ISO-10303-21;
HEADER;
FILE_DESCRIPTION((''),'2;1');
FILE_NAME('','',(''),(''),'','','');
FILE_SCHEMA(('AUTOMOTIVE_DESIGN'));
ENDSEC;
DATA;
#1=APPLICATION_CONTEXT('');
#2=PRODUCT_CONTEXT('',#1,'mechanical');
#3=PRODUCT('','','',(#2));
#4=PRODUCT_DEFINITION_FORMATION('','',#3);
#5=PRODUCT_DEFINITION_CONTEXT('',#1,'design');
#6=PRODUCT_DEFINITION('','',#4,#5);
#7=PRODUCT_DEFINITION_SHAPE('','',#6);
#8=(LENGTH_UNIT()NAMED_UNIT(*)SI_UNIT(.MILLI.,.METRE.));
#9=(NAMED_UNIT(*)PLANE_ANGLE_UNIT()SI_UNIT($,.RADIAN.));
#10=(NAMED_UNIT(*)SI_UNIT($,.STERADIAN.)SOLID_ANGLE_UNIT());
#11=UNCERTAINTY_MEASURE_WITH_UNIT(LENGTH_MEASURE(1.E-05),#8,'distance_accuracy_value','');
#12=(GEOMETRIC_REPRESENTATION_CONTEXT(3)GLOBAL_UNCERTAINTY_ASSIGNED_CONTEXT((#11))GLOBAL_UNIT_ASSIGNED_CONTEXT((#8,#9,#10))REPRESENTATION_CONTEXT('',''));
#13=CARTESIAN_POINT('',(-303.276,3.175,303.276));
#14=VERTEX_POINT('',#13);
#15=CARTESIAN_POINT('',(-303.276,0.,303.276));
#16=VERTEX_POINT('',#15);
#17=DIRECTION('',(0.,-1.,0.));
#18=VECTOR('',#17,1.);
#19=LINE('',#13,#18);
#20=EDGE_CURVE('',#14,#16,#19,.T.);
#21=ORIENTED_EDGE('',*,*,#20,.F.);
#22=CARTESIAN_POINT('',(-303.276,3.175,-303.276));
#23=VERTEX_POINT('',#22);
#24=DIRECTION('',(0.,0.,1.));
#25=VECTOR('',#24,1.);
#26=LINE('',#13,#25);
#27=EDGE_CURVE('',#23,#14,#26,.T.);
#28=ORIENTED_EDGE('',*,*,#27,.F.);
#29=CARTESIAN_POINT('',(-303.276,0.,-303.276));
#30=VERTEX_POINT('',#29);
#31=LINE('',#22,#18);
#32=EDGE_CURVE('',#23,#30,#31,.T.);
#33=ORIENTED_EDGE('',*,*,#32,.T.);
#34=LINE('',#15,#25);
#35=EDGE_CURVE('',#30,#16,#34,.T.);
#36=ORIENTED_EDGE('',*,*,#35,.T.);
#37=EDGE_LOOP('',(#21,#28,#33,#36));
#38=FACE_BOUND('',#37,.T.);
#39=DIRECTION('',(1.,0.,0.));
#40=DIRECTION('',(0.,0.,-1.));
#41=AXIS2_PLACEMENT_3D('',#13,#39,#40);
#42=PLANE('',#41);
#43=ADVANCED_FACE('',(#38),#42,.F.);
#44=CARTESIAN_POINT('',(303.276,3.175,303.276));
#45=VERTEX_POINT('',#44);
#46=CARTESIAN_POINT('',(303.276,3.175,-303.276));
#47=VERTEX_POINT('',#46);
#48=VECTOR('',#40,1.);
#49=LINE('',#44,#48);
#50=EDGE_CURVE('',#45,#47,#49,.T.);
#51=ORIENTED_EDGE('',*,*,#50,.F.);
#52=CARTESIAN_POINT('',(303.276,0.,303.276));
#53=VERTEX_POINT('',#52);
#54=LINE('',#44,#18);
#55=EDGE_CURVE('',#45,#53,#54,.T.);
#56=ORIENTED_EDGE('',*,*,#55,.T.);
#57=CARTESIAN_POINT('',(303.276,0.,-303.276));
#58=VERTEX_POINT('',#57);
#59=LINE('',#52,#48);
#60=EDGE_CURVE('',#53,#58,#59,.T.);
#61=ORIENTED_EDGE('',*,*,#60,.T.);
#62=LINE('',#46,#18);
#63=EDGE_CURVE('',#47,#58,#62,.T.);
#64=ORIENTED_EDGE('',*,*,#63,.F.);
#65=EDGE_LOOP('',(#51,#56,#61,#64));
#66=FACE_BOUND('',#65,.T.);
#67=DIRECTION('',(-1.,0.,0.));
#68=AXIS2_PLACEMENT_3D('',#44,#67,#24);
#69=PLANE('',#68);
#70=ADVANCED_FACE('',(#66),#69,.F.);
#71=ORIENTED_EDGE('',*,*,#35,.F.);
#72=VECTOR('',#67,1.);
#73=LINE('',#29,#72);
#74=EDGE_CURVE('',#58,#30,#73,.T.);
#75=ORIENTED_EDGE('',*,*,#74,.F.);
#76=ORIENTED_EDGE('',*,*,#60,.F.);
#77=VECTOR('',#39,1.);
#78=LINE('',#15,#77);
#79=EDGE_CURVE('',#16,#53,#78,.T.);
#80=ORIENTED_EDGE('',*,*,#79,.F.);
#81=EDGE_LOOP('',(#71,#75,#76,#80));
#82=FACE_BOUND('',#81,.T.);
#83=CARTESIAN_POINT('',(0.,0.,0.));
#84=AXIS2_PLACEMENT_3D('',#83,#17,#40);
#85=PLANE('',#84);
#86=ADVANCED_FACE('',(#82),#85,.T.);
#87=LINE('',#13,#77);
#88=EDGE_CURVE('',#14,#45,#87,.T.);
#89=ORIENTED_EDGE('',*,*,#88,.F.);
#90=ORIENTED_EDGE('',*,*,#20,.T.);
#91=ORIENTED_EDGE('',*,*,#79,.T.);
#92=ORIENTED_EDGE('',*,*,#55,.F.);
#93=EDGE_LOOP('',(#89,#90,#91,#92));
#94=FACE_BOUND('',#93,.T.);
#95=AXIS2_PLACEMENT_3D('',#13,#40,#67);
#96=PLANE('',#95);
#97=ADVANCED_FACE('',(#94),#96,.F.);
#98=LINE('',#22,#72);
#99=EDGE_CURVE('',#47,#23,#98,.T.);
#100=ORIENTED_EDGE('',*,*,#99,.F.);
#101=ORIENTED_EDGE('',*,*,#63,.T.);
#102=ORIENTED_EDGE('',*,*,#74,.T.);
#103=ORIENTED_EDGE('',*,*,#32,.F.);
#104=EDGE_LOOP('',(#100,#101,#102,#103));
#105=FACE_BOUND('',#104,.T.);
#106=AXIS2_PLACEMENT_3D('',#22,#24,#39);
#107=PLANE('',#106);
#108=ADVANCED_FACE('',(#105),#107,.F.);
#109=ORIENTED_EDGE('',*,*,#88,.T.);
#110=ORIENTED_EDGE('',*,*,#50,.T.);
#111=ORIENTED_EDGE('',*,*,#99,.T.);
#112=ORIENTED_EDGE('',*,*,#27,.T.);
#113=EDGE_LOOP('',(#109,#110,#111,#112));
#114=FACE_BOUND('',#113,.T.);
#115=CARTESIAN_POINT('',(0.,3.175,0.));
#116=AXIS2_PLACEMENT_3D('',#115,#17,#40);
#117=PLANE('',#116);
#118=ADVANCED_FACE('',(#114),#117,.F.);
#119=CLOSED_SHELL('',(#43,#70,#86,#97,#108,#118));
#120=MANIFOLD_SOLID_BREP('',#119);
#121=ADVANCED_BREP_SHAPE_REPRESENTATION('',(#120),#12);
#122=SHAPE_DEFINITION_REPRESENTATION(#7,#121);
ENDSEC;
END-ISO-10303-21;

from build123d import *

# Parameters (mm, degrees)
SKETCH1_W           = 606.552
SKETCH1_H           = 606.552
BOSS_EXTRUDE1_DEPTH = 3.175


with BuildPart() as part:
    # Sketch1 → Boss-Extrude1 (new body)
    with BuildSketch(Plane(origin=(0, 0, 0), x_dir=(1, 0, 0), z_dir=(0, 1, 0))):
        Rectangle(SKETCH1_W, SKETCH1_H)
    extrude(amount=BOSS_EXTRUDE1_DEPTH)


solid = part.part
